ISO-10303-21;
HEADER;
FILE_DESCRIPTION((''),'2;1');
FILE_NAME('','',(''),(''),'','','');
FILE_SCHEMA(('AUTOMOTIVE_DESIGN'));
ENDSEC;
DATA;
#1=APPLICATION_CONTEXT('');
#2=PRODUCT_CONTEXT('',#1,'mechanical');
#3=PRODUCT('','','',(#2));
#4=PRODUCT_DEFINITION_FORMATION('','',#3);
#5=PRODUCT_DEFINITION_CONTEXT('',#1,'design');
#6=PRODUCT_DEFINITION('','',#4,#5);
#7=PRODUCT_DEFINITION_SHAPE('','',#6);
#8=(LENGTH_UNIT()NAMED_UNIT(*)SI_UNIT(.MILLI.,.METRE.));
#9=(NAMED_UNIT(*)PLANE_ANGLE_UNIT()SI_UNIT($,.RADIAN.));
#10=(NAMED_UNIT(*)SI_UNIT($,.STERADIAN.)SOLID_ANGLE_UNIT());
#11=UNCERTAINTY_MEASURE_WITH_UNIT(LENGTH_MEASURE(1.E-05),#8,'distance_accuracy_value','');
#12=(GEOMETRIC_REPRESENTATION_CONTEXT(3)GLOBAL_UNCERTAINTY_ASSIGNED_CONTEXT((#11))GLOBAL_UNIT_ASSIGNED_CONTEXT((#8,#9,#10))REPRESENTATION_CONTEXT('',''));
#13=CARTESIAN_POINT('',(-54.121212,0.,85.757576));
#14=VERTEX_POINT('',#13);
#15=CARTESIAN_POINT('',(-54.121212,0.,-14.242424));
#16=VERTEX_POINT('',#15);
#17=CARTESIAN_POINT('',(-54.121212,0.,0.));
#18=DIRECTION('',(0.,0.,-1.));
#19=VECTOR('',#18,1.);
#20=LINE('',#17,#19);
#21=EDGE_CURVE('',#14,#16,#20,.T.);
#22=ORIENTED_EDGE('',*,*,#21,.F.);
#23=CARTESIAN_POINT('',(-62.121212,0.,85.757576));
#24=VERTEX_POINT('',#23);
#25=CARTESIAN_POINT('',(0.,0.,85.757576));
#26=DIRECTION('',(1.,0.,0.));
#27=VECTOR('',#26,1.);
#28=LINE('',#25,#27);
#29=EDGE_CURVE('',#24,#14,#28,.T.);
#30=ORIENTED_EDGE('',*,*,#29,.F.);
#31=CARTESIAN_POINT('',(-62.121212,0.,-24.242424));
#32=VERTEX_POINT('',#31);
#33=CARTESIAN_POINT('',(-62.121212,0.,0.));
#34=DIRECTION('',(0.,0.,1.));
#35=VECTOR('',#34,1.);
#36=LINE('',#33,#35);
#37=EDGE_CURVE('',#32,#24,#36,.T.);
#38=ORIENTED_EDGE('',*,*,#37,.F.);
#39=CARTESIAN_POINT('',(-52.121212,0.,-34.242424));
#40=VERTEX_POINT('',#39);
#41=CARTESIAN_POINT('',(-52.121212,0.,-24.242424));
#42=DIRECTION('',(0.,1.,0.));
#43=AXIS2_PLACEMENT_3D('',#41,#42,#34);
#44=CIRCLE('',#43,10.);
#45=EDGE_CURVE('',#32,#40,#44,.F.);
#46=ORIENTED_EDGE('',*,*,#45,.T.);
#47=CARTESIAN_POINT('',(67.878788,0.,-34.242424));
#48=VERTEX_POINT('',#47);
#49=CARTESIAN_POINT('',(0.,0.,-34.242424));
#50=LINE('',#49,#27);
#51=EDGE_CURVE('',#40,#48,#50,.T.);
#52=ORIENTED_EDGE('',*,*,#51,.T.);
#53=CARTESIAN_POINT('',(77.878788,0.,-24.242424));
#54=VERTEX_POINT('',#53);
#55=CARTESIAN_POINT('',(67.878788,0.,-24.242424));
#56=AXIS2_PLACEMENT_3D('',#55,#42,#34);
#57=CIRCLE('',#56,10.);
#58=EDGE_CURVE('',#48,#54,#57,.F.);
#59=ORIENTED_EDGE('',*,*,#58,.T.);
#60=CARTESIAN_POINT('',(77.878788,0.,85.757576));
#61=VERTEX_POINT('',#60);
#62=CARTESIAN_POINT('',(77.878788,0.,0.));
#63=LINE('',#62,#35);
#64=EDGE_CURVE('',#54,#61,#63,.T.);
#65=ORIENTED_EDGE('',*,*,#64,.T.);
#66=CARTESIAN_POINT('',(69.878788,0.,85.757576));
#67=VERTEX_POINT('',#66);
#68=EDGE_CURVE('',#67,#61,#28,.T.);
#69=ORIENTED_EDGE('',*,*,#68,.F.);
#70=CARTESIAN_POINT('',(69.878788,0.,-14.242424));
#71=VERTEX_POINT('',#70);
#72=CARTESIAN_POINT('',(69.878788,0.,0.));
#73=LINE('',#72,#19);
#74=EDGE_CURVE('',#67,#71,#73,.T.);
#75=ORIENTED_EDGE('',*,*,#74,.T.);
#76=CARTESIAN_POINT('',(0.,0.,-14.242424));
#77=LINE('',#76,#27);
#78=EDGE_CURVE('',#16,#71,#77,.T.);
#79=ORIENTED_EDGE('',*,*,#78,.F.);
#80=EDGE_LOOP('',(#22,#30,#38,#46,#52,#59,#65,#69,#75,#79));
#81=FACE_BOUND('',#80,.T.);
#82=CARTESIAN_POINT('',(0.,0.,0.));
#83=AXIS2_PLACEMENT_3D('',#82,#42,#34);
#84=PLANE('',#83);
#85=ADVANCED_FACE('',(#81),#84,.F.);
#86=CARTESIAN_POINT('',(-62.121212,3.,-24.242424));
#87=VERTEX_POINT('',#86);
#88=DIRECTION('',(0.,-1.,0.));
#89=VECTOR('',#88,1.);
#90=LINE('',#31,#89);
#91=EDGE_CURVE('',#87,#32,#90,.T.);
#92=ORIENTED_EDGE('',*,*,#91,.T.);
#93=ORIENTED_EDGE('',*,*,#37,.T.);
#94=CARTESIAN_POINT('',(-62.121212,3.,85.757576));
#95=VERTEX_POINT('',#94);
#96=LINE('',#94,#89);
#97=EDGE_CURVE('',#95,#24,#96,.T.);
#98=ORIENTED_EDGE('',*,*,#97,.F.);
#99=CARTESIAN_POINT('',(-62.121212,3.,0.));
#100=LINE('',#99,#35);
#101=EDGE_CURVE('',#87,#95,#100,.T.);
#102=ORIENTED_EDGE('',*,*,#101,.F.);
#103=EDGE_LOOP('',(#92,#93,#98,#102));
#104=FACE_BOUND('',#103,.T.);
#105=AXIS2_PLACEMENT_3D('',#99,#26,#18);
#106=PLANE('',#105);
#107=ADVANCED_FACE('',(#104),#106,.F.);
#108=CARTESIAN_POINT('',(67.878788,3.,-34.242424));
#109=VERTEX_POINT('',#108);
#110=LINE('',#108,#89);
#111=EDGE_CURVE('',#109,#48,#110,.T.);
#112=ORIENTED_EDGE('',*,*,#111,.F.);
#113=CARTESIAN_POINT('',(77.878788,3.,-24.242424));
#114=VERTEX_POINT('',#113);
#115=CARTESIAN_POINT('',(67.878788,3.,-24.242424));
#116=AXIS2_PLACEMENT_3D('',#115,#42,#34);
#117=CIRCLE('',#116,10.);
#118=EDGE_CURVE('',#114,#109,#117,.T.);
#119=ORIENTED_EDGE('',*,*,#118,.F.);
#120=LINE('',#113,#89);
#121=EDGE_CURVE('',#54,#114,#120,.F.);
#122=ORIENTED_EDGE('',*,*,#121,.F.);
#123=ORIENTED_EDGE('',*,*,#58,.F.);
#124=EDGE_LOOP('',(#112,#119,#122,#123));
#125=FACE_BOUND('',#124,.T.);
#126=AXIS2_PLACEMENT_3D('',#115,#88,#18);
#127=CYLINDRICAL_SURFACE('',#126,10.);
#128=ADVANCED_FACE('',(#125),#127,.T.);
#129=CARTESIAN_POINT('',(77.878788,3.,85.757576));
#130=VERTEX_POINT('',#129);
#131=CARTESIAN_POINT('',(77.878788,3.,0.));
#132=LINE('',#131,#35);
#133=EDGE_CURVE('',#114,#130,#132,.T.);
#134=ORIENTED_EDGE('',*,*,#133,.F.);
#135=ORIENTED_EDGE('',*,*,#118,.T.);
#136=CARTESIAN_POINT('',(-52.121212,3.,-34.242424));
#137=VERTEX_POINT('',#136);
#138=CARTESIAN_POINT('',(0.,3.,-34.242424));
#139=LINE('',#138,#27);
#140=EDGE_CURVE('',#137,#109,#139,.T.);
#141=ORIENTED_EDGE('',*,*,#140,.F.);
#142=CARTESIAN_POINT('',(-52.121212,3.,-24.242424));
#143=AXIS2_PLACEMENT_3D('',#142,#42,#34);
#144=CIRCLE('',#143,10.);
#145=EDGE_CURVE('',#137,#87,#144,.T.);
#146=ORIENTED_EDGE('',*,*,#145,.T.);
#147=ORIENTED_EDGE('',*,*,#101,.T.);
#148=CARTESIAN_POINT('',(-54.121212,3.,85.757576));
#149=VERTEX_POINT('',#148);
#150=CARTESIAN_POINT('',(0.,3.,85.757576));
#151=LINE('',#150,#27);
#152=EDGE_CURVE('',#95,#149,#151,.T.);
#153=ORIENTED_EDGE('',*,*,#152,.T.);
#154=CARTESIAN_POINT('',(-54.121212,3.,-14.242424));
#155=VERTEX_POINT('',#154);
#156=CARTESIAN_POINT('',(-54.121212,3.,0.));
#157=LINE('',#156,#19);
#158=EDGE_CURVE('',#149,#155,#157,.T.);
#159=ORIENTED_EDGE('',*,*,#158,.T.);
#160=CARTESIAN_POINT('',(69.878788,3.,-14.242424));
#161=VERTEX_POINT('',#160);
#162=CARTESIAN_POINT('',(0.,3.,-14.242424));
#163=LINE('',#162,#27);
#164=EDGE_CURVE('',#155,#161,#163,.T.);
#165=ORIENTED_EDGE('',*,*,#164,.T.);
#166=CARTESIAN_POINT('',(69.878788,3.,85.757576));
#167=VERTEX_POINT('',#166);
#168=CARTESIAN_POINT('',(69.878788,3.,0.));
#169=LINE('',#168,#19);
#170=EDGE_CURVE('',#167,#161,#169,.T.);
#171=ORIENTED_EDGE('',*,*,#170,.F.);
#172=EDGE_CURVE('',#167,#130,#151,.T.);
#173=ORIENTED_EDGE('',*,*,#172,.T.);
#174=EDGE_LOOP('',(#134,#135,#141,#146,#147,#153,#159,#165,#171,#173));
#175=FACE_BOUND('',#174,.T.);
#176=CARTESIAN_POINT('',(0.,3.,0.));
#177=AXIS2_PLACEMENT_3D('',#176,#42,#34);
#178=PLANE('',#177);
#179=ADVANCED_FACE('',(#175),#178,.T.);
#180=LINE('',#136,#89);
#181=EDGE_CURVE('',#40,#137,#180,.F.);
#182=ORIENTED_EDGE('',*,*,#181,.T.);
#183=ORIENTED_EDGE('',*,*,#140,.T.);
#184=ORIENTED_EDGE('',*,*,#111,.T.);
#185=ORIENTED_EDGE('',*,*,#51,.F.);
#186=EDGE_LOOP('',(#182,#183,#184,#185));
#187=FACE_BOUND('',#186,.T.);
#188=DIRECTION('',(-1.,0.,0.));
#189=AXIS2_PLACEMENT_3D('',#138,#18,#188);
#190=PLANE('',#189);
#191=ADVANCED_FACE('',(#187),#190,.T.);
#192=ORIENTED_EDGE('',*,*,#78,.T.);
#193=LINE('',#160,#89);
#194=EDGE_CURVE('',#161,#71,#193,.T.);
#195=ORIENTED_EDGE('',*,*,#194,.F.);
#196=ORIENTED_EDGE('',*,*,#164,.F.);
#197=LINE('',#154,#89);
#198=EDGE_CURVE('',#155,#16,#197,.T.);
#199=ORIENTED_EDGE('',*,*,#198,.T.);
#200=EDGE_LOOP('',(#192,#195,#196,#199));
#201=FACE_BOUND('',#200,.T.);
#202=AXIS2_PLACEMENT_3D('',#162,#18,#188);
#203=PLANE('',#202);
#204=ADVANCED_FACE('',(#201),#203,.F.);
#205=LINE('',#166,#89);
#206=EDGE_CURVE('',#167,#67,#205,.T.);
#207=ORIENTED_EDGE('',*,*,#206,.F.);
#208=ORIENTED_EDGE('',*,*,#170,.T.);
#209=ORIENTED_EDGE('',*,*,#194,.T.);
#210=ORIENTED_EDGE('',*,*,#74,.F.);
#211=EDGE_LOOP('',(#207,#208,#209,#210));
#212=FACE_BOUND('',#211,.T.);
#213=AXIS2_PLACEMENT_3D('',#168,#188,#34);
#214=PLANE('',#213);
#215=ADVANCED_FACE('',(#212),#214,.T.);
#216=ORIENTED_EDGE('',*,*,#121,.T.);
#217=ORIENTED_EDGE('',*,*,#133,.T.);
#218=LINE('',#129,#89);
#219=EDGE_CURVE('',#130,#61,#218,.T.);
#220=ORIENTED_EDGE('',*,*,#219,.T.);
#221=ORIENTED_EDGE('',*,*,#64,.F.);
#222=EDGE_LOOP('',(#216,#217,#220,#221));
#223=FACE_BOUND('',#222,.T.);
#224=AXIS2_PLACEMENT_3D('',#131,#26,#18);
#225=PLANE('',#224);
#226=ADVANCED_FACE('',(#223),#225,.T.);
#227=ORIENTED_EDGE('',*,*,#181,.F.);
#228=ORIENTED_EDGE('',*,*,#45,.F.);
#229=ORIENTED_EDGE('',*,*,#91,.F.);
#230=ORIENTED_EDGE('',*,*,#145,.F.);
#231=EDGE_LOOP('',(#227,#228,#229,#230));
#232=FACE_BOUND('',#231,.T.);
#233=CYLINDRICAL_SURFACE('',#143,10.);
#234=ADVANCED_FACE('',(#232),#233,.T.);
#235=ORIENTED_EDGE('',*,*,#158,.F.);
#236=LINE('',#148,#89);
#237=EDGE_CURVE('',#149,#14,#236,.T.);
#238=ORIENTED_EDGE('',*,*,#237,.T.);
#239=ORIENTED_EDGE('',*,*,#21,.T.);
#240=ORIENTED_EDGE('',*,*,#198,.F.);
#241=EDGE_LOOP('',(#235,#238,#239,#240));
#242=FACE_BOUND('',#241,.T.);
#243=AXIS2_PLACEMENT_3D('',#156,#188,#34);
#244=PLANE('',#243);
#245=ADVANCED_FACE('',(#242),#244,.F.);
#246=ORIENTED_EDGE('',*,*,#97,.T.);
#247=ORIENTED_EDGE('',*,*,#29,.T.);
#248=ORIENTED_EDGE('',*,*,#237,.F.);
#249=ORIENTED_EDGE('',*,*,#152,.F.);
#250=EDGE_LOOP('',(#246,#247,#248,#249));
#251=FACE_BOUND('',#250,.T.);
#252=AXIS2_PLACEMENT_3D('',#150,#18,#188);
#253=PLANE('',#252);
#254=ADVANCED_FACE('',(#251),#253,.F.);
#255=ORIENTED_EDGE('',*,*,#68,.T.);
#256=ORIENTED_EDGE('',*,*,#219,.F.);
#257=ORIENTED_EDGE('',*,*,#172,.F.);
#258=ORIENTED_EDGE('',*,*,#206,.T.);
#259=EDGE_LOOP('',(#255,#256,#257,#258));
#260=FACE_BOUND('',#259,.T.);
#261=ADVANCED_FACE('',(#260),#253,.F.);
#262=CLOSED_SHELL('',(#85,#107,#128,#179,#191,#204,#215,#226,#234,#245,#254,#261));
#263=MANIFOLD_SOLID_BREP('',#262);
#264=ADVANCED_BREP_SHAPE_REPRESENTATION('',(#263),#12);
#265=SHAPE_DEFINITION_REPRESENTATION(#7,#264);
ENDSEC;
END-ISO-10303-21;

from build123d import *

# Parameters (mm, degrees)
BOSS_EXTRUDE1_DEPTH = 3
FILLET1_R           = 10


with BuildPart() as part:
    # Sketch1 → Boss-Extrude1 (new body)
    with BuildSketch(Plane(origin=(0, 0, 0), x_dir=(1, 0, 0), z_dir=(0, 1, 0))):
        Polygon((77.878787879, 34.242424242), (-62.121212121, 34.242424242), (-62.121212121, -85.757575758), (-54.121212121, -85.757575758), (-54.121212121, 14.242424242), (69.878787879, 14.242424242), (69.878787879, -85.757575758), (77.878787879, -85.757575758), align=None)
    extrude(amount=BOSS_EXTRUDE1_DEPTH)

    # Fillet1
    fillet1_edges = [part.edges().sort_by_distance(p)[0] for p in [
        (-62.121212121, 1.5, -34.242424242),
        (77.878787879, 1.5, -34.242424242),
    ]]
    fillet(fillet1_edges, radius=FILLET1_R)


solid = part.part
